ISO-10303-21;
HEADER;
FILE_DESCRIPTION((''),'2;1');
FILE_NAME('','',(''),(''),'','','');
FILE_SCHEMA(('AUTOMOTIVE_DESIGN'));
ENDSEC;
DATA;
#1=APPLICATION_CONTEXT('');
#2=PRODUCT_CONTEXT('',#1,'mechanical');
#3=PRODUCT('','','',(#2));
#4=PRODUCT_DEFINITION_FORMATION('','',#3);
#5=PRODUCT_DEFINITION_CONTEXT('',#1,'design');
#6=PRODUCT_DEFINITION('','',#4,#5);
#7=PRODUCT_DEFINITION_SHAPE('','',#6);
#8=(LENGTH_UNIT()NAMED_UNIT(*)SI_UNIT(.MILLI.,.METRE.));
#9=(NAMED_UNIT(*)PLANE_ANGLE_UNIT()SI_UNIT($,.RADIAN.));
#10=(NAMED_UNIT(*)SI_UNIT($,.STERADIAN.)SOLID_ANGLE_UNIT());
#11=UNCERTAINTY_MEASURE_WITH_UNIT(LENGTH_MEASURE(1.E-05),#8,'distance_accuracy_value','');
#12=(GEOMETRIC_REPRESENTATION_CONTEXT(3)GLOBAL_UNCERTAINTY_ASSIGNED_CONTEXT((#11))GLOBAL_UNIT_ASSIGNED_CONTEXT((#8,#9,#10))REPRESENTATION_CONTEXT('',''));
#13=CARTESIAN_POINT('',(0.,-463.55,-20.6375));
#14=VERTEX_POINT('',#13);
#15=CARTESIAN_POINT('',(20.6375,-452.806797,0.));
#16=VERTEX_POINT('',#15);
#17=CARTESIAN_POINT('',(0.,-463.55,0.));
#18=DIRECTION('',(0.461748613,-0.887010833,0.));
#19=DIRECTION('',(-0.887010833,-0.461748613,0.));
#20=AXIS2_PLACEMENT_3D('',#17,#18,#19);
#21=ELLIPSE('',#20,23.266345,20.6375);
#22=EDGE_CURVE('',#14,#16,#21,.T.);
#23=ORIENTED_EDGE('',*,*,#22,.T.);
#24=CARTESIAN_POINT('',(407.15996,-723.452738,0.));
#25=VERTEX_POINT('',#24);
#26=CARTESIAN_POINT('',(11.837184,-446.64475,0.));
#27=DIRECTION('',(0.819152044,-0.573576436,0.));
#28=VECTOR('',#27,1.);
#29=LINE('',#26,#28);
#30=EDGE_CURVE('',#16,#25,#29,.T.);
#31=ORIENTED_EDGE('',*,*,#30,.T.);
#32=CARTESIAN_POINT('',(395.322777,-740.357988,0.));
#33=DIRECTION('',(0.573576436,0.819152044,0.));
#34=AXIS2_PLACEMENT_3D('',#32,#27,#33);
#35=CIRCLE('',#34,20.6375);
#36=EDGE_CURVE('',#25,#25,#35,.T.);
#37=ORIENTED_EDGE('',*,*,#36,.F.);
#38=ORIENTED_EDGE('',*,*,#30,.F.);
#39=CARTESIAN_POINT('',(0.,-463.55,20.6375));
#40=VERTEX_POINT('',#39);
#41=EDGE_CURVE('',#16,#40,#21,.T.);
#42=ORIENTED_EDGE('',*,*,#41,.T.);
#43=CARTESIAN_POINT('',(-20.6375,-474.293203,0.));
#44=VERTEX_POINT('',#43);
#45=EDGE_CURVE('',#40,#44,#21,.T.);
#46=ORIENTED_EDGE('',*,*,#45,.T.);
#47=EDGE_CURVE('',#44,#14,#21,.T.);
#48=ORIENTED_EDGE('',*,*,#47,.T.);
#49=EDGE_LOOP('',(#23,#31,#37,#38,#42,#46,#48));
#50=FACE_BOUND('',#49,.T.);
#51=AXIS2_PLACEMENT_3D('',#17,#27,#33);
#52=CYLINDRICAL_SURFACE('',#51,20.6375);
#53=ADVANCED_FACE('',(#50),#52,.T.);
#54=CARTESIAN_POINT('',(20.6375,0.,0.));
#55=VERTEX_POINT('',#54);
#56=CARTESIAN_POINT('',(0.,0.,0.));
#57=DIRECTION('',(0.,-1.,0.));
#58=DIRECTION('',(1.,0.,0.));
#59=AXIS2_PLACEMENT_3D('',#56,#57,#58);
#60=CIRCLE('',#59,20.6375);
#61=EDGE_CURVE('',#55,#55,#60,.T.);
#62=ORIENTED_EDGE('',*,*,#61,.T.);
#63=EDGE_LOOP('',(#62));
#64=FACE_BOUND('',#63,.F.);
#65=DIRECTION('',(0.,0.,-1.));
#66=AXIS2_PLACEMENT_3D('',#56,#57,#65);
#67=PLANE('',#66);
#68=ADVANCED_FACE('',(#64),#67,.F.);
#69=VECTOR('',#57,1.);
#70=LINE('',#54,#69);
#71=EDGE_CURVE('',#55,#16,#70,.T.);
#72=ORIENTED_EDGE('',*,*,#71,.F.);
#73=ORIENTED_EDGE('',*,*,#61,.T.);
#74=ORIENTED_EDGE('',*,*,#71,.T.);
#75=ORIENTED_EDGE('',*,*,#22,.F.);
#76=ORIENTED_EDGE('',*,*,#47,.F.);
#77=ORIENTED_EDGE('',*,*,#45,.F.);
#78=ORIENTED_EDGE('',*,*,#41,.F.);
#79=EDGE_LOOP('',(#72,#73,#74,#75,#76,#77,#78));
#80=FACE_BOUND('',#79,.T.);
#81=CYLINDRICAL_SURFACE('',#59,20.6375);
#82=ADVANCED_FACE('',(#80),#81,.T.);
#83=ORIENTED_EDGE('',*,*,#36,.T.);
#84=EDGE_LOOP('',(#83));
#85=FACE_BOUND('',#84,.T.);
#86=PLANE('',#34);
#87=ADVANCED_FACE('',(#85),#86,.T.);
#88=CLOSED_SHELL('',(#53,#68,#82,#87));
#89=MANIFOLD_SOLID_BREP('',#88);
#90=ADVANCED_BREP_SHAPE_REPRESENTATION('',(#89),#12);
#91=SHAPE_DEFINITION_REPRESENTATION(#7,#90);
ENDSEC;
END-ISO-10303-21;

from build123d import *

# Parameters (mm, degrees)
F1_R = 20.6375


with BuildPart() as f2:
    # F2: sweep along a path in F0
    with BuildLine(Plane.XY) as f2_path:
        Line((0, 0), (0, -463.55))
        Line((0, -463.55), (395.3227765739, -740.357988183))
    # F1 (on Front) → F2 (sweep)
    with BuildSketch(Plane.XZ):
        Circle(F1_R)
    sweep(path=f2_path.line, transition=Transition.RIGHT)


solid = f2.part
